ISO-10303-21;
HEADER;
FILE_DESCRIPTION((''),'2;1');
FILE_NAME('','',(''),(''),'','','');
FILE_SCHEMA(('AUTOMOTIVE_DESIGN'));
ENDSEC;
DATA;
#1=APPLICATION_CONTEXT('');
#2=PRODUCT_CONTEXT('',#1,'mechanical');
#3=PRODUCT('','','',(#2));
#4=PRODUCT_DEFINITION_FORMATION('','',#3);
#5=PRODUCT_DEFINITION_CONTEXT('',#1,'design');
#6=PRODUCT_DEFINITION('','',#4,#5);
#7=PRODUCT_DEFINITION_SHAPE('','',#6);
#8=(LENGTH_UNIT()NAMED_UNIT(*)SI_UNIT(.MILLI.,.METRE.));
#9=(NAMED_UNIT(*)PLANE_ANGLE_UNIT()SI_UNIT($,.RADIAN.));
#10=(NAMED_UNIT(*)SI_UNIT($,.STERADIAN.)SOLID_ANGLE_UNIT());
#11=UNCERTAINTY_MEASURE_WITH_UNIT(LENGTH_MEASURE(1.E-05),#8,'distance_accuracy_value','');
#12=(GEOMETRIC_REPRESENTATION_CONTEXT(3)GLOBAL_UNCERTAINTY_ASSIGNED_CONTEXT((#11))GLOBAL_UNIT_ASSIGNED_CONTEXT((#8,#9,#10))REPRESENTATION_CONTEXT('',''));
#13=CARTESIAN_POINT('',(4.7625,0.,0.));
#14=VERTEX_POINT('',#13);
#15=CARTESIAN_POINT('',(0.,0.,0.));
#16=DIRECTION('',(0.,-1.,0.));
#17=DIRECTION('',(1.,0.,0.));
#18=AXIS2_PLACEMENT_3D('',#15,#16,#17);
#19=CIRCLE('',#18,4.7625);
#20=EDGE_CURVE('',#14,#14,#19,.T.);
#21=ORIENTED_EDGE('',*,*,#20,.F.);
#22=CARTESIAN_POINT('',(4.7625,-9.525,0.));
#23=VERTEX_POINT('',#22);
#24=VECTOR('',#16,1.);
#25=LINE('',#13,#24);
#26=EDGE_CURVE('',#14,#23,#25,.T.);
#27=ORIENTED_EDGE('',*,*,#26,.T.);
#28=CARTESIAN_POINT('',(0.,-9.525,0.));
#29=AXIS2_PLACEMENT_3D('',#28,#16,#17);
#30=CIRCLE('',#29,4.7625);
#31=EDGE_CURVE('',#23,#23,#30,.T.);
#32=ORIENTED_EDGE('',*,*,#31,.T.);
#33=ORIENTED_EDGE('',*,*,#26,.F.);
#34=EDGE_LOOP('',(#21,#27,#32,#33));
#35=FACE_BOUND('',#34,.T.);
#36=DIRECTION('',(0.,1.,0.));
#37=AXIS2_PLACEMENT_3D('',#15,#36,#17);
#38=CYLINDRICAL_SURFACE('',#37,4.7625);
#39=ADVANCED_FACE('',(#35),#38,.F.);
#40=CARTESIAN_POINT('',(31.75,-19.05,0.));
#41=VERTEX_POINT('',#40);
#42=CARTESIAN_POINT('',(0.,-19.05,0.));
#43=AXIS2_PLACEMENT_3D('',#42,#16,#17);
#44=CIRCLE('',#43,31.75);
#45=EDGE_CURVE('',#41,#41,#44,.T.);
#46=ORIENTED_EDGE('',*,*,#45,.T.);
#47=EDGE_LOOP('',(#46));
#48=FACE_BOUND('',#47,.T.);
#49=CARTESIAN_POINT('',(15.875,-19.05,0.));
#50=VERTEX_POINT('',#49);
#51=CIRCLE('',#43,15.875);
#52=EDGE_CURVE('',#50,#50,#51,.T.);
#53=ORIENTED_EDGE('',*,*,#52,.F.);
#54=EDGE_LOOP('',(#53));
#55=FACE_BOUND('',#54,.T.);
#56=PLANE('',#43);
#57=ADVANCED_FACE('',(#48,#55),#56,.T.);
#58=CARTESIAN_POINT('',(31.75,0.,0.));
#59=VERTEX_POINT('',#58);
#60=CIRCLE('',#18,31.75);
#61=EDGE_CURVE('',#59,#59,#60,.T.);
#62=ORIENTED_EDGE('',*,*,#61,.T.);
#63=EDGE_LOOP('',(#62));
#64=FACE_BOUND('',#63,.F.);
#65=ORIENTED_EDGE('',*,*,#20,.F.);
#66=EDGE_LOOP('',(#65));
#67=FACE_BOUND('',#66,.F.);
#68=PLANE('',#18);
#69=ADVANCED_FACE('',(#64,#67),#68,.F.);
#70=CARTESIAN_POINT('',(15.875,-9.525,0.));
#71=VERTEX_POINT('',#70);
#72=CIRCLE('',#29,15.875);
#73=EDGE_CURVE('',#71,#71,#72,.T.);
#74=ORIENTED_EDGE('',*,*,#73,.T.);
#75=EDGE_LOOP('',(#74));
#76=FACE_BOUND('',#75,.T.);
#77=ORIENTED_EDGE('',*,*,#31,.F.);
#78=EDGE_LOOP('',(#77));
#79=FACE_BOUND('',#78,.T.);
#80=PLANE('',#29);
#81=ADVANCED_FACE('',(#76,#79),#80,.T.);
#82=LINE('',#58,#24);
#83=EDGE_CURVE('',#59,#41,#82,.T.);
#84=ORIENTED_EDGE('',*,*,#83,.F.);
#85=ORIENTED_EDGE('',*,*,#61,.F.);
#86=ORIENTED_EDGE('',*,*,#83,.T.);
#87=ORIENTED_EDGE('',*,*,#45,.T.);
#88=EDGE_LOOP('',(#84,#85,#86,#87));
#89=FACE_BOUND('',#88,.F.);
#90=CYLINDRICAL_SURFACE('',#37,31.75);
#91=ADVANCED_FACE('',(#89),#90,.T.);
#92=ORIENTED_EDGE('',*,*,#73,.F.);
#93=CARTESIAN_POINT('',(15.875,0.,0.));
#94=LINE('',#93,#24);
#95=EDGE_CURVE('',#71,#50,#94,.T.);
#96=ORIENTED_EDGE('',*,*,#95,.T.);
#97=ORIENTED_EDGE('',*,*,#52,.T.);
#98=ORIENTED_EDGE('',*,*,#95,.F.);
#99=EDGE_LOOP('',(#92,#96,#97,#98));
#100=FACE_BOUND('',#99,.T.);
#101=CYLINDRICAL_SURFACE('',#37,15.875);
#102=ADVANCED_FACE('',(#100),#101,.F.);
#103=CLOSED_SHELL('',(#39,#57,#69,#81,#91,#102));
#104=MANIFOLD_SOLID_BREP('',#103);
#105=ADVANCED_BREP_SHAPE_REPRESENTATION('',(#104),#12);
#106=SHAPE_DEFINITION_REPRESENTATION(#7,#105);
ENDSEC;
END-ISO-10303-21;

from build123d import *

# Parameters (mm, degrees)
F0_R     = 15.875
F0_R_2   = 4.7625
F1_DEPTH = 9.525
F0_R_3   = 31.75
F2_DEPTH = 19.05


with BuildPart() as f1:
    # F0 (on Front) → F1 (new body)
    with BuildSketch(Plane.XZ):
        Circle(F0_R)
        Circle(F0_R_2, mode=Mode.SUBTRACT)
    extrude(amount=F1_DEPTH)

    # F0 (on Front) → F2 (join)
    with BuildSketch(Plane.XZ):
        Circle(F0_R_3)
        Circle(F0_R, mode=Mode.SUBTRACT)
    extrude(amount=F2_DEPTH)


solid = f1.part
